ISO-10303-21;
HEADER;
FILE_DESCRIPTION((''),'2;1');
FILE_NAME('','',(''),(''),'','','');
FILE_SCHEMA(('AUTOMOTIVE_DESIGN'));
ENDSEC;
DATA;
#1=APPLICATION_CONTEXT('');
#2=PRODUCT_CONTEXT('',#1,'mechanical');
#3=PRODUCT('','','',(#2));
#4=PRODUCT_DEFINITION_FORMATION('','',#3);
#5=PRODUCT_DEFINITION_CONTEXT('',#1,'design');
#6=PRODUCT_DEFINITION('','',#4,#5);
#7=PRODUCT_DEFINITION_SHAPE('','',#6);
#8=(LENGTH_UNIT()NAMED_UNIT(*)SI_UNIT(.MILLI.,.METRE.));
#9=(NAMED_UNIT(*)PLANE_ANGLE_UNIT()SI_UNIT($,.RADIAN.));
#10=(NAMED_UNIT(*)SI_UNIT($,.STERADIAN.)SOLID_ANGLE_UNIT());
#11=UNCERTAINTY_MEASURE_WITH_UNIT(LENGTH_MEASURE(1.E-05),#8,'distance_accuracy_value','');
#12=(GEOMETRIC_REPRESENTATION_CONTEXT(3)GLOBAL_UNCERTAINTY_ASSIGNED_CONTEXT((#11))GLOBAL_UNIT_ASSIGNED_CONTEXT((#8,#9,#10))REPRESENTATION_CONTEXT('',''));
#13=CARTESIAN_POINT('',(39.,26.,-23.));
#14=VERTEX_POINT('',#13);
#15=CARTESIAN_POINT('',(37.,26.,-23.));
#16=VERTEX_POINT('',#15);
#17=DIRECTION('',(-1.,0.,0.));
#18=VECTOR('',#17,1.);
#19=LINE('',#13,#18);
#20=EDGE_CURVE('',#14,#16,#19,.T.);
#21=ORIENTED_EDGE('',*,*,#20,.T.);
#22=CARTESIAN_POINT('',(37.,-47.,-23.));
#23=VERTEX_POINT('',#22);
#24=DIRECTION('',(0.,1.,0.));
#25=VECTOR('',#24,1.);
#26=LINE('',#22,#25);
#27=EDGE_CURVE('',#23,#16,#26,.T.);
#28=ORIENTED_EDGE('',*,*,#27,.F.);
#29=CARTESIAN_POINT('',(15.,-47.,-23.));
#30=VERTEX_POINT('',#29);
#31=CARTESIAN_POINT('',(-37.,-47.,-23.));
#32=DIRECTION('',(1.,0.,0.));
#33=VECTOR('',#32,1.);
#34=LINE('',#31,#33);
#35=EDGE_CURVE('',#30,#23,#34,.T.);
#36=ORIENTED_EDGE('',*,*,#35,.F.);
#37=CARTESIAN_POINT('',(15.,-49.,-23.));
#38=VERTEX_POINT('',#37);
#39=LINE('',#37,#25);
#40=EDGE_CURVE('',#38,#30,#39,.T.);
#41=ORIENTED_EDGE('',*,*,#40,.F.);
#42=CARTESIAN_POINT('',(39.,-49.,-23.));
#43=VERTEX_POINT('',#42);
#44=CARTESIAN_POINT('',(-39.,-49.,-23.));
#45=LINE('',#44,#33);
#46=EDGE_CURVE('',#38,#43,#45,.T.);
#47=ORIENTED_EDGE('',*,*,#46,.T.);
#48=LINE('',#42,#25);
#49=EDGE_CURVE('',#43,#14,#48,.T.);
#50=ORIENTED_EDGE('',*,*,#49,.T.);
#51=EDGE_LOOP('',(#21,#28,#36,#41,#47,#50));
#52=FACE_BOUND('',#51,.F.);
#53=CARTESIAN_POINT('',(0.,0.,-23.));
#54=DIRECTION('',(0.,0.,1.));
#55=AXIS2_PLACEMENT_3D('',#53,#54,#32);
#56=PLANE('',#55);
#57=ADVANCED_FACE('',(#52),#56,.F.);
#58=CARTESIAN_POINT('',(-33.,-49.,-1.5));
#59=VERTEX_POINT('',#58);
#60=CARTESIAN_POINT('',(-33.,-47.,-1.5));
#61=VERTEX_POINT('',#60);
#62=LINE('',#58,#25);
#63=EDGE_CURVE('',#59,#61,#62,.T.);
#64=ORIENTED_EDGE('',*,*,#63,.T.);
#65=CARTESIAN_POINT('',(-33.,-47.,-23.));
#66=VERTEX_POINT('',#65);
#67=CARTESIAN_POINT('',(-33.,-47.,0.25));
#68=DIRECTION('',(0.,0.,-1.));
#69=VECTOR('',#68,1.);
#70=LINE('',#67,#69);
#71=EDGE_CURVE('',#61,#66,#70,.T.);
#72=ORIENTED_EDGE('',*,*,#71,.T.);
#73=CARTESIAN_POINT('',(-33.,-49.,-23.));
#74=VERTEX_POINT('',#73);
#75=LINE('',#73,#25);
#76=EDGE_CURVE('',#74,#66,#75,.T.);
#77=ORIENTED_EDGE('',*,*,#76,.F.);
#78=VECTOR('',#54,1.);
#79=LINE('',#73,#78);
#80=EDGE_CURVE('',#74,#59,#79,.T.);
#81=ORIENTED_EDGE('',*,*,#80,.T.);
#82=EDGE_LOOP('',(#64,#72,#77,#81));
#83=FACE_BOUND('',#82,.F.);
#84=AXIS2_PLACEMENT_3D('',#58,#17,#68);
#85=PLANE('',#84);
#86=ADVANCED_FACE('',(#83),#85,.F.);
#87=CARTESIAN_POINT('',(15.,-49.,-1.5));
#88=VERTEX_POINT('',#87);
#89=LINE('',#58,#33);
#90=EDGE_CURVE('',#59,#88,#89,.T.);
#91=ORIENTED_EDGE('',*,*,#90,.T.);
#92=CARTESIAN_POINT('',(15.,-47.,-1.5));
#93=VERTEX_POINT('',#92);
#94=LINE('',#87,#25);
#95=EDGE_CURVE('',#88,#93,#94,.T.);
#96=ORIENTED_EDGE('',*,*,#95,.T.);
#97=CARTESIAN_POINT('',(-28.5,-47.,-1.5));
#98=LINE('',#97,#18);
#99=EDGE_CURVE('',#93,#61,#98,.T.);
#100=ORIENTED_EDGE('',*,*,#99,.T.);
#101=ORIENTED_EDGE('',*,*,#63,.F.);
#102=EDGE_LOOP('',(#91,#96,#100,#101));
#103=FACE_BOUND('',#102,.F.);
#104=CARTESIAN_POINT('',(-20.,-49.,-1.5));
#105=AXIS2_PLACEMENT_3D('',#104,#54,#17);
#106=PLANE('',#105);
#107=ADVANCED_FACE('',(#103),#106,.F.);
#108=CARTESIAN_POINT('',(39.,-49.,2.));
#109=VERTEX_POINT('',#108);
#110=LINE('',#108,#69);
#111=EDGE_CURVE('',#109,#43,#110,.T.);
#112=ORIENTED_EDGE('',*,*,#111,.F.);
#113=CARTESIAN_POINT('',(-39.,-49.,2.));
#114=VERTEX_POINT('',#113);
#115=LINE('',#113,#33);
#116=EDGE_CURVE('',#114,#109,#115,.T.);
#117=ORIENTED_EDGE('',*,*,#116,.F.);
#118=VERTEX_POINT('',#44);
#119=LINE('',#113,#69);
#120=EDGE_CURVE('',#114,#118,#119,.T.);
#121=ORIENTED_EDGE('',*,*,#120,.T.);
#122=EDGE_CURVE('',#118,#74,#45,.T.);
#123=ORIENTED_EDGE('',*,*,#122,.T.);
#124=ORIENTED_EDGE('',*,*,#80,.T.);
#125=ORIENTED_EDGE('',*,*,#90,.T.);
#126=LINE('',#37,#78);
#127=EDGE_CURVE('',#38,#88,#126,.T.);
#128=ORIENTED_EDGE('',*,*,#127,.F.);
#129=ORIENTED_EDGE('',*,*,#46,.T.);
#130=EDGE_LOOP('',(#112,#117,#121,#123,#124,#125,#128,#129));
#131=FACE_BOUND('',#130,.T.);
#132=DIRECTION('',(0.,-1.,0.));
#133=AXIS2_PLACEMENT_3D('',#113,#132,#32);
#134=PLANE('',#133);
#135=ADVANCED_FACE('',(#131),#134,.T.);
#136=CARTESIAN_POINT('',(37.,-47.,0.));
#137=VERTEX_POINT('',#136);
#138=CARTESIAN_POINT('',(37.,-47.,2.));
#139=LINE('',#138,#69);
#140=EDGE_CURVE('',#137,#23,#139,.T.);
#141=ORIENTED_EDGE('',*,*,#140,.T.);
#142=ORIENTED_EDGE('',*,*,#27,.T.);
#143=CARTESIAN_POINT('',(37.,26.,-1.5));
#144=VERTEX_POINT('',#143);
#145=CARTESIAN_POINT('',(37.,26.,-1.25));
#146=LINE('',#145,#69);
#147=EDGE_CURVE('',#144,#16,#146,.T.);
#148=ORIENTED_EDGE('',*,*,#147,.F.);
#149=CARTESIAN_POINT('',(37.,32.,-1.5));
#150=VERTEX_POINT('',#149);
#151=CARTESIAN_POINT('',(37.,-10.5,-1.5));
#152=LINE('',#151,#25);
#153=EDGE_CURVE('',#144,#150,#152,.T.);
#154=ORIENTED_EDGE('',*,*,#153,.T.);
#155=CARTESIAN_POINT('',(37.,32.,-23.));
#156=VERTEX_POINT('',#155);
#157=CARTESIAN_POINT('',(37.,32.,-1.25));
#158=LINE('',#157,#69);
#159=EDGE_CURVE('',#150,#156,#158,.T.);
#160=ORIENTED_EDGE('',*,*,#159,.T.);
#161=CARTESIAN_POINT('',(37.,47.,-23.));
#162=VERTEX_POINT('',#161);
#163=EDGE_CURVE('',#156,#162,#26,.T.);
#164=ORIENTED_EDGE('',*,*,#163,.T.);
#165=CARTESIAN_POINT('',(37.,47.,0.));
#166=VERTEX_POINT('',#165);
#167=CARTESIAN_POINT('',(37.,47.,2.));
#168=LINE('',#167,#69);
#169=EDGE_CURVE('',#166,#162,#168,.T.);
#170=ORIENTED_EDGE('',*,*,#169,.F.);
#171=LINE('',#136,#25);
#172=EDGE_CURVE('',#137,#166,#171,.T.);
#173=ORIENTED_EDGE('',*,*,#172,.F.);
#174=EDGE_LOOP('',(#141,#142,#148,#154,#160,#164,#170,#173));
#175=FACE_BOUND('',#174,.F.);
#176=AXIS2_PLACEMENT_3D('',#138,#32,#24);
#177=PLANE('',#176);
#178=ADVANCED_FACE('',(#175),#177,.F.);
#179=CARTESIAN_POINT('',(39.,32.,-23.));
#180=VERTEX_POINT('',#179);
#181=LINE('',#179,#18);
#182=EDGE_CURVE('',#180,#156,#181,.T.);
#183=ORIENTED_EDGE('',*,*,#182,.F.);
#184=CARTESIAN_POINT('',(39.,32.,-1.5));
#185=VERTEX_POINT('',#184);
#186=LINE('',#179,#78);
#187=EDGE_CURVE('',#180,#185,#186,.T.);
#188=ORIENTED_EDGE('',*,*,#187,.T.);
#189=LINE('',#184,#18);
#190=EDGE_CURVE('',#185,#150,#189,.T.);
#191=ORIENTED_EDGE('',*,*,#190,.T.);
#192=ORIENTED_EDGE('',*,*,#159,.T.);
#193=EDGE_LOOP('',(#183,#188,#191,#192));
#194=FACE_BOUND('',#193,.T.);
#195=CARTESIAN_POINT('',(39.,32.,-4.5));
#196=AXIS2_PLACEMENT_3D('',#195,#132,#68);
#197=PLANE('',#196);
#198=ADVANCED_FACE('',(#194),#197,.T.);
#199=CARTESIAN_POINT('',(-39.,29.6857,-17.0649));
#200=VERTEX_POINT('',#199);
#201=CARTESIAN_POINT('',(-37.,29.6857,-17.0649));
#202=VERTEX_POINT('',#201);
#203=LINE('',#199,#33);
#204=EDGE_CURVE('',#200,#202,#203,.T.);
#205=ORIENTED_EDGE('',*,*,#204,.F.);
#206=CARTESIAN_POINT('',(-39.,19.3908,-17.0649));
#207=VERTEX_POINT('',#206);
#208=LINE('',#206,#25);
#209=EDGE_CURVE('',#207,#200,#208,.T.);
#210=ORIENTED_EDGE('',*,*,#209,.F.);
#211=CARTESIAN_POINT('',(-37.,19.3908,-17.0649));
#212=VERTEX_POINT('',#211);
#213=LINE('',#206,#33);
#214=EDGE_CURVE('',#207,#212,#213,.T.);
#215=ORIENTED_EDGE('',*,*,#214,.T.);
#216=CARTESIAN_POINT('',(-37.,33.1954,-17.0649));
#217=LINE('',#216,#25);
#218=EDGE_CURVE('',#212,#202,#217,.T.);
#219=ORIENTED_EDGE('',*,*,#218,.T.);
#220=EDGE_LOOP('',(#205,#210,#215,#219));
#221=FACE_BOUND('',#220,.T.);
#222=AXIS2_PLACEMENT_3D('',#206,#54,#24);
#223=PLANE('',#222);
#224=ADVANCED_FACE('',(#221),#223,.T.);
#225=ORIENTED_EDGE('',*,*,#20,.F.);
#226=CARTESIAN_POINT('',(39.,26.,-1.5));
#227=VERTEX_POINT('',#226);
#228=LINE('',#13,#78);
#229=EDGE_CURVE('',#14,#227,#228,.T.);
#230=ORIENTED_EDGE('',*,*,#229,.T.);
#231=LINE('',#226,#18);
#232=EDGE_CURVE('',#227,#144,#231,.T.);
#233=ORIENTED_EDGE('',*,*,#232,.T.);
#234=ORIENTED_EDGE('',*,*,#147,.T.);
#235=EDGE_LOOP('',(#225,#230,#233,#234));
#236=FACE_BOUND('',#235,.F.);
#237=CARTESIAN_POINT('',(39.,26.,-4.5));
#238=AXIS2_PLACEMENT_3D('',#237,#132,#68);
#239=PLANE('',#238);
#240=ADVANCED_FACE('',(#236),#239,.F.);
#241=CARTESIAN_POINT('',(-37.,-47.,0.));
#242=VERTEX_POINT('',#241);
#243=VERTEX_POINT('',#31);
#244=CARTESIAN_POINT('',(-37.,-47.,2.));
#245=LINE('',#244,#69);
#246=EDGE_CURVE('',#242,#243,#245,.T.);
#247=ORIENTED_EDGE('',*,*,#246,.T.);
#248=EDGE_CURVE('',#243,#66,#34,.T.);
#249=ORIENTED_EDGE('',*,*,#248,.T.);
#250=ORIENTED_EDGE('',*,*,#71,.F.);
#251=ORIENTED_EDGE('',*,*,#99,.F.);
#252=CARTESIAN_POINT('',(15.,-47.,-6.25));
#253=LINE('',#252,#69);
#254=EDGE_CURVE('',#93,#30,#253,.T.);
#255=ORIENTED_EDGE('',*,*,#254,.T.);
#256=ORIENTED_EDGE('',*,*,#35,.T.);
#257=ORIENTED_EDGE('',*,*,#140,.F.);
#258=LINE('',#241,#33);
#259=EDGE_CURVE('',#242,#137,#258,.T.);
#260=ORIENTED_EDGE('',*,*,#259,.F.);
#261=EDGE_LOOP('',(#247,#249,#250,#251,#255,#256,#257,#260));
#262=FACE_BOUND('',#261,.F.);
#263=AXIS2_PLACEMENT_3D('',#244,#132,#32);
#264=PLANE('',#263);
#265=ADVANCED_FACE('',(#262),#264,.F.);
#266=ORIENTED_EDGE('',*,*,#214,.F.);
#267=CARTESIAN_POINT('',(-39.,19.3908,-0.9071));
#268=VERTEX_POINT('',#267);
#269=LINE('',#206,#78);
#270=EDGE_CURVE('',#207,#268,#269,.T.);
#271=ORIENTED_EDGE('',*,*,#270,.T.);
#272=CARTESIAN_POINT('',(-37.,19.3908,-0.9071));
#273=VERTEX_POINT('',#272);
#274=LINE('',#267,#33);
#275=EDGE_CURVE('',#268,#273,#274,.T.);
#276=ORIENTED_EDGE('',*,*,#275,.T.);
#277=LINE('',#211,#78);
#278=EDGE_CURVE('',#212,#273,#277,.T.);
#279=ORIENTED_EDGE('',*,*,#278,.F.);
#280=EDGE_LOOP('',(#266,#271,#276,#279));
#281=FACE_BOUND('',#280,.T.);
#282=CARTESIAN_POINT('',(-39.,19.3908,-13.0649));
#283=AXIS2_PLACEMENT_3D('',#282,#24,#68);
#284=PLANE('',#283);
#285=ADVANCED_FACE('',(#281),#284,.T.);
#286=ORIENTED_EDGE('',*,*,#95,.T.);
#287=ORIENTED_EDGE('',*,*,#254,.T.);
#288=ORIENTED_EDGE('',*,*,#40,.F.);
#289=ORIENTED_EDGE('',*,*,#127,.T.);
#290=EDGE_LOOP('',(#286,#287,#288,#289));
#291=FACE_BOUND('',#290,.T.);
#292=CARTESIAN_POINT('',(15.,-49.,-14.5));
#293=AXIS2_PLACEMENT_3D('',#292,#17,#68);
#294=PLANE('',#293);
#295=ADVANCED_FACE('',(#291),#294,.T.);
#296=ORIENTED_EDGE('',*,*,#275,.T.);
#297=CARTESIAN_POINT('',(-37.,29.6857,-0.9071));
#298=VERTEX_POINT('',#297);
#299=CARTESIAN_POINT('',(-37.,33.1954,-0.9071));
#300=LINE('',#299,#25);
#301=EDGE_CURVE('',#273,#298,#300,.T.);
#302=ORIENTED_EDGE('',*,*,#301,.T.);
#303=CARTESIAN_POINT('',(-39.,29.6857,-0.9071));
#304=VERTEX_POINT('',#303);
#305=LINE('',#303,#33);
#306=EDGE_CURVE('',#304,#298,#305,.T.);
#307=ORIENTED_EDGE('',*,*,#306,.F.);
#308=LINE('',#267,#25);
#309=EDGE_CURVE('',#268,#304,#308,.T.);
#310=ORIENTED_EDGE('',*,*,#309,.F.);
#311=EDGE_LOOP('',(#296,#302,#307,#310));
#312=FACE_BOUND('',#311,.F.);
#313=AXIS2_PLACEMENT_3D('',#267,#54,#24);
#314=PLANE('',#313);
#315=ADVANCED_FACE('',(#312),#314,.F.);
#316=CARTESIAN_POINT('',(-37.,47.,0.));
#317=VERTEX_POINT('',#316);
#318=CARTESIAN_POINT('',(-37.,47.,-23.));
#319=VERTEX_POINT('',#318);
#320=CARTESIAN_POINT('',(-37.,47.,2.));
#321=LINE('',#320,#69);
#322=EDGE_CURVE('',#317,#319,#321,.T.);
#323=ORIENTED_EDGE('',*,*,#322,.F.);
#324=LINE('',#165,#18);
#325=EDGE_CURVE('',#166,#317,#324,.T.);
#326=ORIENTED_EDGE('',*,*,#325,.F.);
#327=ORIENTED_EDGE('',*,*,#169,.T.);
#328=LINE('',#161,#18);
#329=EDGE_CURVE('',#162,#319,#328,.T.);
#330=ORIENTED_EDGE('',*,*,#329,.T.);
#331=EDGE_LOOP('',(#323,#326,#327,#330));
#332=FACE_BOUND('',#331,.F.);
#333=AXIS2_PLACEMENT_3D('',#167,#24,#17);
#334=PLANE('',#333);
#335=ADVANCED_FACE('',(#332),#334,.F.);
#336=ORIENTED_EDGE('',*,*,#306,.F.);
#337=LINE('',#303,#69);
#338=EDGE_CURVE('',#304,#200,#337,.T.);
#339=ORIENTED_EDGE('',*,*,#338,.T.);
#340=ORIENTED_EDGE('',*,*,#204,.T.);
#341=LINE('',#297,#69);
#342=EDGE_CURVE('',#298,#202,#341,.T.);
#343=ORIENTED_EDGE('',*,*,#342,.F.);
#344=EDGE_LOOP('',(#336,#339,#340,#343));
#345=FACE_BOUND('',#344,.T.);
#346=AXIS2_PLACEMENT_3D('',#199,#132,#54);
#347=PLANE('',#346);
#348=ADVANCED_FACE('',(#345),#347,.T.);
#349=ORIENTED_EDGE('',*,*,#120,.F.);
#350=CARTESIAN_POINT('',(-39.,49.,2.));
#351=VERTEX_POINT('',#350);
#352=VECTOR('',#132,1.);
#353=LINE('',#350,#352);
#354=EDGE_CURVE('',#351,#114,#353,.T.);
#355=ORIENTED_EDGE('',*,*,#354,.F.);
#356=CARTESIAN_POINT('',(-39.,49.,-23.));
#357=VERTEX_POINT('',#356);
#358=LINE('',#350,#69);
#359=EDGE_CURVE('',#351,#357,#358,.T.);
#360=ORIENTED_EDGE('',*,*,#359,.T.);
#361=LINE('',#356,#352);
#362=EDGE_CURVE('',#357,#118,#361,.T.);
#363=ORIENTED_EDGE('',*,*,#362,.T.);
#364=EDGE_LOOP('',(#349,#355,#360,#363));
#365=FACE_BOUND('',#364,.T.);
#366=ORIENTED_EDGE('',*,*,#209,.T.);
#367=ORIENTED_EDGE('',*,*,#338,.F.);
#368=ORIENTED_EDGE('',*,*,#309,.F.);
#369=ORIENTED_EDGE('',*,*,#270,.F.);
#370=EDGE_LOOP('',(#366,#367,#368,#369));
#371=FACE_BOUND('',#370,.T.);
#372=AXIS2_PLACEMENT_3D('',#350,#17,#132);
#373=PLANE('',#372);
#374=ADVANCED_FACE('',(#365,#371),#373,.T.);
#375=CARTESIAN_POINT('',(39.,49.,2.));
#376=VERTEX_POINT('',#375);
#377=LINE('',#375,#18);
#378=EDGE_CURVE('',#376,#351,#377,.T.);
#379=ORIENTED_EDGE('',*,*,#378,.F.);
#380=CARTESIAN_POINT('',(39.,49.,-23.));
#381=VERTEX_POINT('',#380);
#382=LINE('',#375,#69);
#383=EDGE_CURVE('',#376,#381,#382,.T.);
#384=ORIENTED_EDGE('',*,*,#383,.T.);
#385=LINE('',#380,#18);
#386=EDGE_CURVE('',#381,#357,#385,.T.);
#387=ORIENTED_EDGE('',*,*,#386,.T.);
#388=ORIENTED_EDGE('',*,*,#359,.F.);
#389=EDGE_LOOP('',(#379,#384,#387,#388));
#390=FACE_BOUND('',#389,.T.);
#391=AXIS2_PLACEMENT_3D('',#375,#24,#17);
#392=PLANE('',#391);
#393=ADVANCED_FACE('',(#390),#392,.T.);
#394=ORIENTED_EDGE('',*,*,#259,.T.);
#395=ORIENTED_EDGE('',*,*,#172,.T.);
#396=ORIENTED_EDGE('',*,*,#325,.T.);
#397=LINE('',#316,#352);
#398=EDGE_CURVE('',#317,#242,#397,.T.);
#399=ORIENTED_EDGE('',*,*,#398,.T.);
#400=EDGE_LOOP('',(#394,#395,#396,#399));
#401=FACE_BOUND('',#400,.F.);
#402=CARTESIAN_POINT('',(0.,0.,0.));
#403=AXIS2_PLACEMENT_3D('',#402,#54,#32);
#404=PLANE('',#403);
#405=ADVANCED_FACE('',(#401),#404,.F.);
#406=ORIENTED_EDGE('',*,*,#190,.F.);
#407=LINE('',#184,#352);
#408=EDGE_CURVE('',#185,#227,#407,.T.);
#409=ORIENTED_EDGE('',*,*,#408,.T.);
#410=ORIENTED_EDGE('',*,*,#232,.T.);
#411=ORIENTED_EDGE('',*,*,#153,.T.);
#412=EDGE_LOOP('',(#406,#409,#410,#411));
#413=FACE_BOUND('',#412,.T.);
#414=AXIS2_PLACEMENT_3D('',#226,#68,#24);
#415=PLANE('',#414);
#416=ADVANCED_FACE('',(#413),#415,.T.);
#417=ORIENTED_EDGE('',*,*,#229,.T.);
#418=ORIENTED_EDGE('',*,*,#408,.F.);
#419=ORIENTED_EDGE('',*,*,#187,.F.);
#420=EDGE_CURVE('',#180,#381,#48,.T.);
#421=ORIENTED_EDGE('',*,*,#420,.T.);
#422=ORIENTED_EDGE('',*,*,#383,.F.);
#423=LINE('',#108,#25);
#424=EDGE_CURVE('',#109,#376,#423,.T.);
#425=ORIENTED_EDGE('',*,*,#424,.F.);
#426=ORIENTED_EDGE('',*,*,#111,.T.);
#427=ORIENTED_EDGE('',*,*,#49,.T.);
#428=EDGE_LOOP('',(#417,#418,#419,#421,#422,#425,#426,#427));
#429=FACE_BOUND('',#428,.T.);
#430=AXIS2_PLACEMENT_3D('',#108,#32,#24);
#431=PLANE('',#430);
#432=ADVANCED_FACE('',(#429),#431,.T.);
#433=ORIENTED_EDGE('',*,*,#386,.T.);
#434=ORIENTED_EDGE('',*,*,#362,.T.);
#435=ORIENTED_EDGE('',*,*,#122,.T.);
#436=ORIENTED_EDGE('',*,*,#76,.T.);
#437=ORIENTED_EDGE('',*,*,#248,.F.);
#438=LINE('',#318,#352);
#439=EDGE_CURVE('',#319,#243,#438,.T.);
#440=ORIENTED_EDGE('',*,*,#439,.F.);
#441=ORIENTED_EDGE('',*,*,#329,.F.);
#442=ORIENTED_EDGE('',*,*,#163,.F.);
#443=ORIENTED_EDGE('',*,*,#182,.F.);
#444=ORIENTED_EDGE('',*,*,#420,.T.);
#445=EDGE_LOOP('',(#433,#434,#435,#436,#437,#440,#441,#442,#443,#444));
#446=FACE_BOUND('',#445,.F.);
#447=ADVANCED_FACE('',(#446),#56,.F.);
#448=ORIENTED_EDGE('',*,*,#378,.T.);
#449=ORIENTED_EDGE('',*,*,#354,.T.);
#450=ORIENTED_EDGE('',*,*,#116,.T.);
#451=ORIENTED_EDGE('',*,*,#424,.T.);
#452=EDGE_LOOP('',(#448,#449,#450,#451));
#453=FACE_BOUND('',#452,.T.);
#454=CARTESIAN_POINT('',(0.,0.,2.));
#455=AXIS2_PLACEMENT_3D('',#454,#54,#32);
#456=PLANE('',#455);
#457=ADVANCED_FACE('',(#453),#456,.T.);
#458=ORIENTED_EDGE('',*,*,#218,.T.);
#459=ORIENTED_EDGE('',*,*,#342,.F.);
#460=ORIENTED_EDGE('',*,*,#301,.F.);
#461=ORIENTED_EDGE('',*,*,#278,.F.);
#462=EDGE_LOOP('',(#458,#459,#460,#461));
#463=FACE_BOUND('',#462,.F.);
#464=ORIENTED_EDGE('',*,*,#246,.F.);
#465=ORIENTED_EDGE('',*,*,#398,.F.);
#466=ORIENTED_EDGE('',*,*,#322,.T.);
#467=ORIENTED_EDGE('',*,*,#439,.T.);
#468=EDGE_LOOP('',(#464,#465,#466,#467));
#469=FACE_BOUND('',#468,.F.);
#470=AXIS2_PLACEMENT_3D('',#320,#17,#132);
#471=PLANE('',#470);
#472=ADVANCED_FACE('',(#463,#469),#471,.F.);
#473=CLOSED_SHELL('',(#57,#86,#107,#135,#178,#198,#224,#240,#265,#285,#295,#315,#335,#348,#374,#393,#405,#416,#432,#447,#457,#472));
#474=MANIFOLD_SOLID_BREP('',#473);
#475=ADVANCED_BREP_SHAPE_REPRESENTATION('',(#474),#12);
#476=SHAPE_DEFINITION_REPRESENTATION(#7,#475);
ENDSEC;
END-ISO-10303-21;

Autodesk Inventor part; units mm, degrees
ref_plane "YZ Plane" through (0, 0, 0) normal (1, 0, 0) x (0, 1, 0)
ref_plane "XZ Plane" through (0, 0, 0) normal (0, 1, 0) x (-1, 0, 0)
ref_plane "XY Plane" through (0, 0, 0) normal (0, 0, 1) x (1, 0, 0)
sketch "Эскиз1" plane through (0, 0, 0) normal (0, 0, 1) x (1, 0, 0)
  line L0 (-37, -47) -> (37, -47)
  line L1 (37, -47) -> (37, 47)
  line L2 (37, 47) -> (-37, 47)
  line L3 (-37, 47) -> (-37, -47)
  line L4 (-35, -44) -> (-35, 44) projected
  line L5 (34, -45) -> (-34, -45) projected
  line L6 (35, 44) -> (35, -44) projected
  line L7 (-34, 45) -> (34, 45) projected
  point P0 (0, 0)
  dimension "d0" = 2
  dimension "d1" = 2
  dimension "d2" = 2
  dimension "d3" = 2
extrude "Выдавливание1" add sketch "Эскиз1" along normal blind 2
sketch "Эскиз2" plane through (0, 0, 2) normal (0, 0, 1) x (1, 0, 0)
  line L0 (-39, -49) -> (39, -49)
  line L1 (39, -49) -> (39, 49)
  line L2 (39, 49) -> (-39, 49)
  line L3 (-39, 49) -> (-39, -49)
  line L4 (-37, 47) -> (-37, -47) projected
  line L5 (-37, -47) -> (37, -47) projected
  line L6 (37, -47) -> (37, 47) projected
  line L7 (37, 47) -> (-37, 47) projected
  point P0 (0, 0)
  dimension "d6" = 2
  dimension "d7" = 2
  dimension "d8" = 2
  dimension "d9" = 2
extrude "Выдавливание2" add sketch "Эскиз2" against normal blind 25
sketch "Эскиз3" plane through (-39, -49, 2) normal (-1, 0, 0) x (0, 0, 1)
  line L0 (-3.5, 69) -> (-3.5, 78) projected
  line L1 (-3.5, 69) -> (-14.5, 69) projected
  line L2 (-14.5, 78) -> (-14.5, 69) projected
  line L3 (-3.5, 78) -> (-14.5, 78) projected
  point P0 (-2, 49)
extrude "Выдавливание3" cut sketch "Эскиз3" against normal blind 25
sketch "Эскиз4" plane through (-39, -49, 2) normal (-1, 0, 0) x (0, 0, 1)
  line L0 (-3.5, 69) -> (-3.5, 78) projected
  line L1 (-3.5, 78) -> (-14.5, 78) projected
  line L2 (-14.5, 69) -> (-14.5, 78) projected
  line L3 (-3.5, 69) -> (-14.5, 69) projected
  line L4 (-15.0649, 68.3908) -> (-2.9071, 68.3908)
  line L5 (-2.9071, 68.3908) -> (-2.9071, 78.6857)
  line L6 (-2.9071, 78.6857) -> (-15.0649, 78.6857)
  line L7 (-15.0649, 78.6857) -> (-15.0649, 68.3908)
  point P0 (-2, 49)
extrude "Выдавливание4" cut sketch "Эскиз4" against normal blind 25
sketch "Эскиз5" plane through (-39, -49, 2) normal (0, -1, 0) x (1, 0, 0)
  line L0 (19, -3.5) -> (6, -3.5) projected
  line L1 (19, -3.5) -> (19, -19.5) projected
  line L2 (6, -19.5) -> (19, -19.5) projected
  line L3 (6, -3.5) -> (6, -19.5) projected
  line L4 (65, -3.5) -> (38, -3.5) projected
  line L5 (65, -3.5) -> (65, -9.5) projected
  line L6 (54, -9.5) -> (65, -9.5) projected
  line L7 (54, -9.5) -> (54, -16.5) projected
  line L8 (38, -16.5) -> (54, -16.5) projected
  line L9 (38, -3.5) -> (38, -16.5) projected
  line L10 (2, -25) -> (76, -25) projected
  line L11 (6, -3.5) -> (54, -3.5)
  line L12 (54, -3.5) -> (54, -25)
  line L13 (54, -25) -> (6, -25)
  line L14 (6, -25) -> (6, -3.5)
  line L15 (54, -25) -> (6, -25)
  line L16 (6, -25) -> (6, -2.7247)
  line L17 (6, -2.7247) -> (54, -2.7247)
  line L18 (54, -2.7247) -> (54, -25)
  point P0 (39, -2)
  point P1 (6, -25)
extrude "Выдавливание5" cut sketch "Эскиз5" against normal blind 25 contours L1 L2 L3 L0 | L11 L9 L8 L12 L10 L14 L2 L1 | L4 L12 L7 L8 L9
sketch "Эскиз6" plane through (39, -49, 2) normal (1, 0, 0) x (0, 0, -1)
  arc A0 (8.5, 75) -> (8.5, 81) centre (8.5, 78) ccw projected
  arc A1 (6.5, 81) -> (6.5, 75) centre (6.5, 78) ccw projected
  line L0 (6.5, 75) -> (8.5, 75) projected
  arc A2 (8.5, 75) -> (8.5, 81) centre (8.5, 78) ccw projected
  line L1 (6.5, 81) -> (8.5, 81) projected
  line L2 (25, 0) -> (25, 98) projected
  line L3 (3.5, 81) -> (25, 81)
  line L4 (25, 81) -> (25, 75)
  line L5 (25, 75) -> (3.5, 75)
  line L6 (3.5, 75) -> (3.5, 81)
  point P0 (2, 49)
  point P1 (6.5, 75)
  point P2 (8.5, 75)
  point P3 (8.5, 81)
  point P4 (6.5, 81)
extrude "Выдавливание6" cut sketch "Эскиз6" against normal blind 25
sketch "Эскиз7" plane through (-39, -49, 2) normal (-1, 0, 0) x (0, 0, 1)
  point P0 (-2, 49)
sketch "Эскиз8" plane through (-39, -49, 2) normal (-1, 0, 0) x (0, 0, 1)
  line L0 (-15.0649, 68.3908) -> (-15.0649, 78.6857) projected
  line L1 (-15.0649, 78.6857) -> (-15.0649, 68.3908) projected
  line L2 (-15.0649, 68.3908) -> (-19.0649, 68.3908)
  line L3 (-19.0649, 68.3908) -> (-19.0649, 78.6857)
  line L4 (-19.0649, 78.6857) -> (-15.0649, 78.6857)
  line L5 (-15.0649, 78.6857) -> (-15.0649, 68.3908)
  point P0 (-2, 49)
  dimension "d20" = 4
extrude "Выдавливание7" cut sketch "Эскиз8" against normal blind 10
equation "\"d7\" = d6"
equation "\"d8\" = d7"
equation "\"d9\" = d7"
properties part number "btn"
